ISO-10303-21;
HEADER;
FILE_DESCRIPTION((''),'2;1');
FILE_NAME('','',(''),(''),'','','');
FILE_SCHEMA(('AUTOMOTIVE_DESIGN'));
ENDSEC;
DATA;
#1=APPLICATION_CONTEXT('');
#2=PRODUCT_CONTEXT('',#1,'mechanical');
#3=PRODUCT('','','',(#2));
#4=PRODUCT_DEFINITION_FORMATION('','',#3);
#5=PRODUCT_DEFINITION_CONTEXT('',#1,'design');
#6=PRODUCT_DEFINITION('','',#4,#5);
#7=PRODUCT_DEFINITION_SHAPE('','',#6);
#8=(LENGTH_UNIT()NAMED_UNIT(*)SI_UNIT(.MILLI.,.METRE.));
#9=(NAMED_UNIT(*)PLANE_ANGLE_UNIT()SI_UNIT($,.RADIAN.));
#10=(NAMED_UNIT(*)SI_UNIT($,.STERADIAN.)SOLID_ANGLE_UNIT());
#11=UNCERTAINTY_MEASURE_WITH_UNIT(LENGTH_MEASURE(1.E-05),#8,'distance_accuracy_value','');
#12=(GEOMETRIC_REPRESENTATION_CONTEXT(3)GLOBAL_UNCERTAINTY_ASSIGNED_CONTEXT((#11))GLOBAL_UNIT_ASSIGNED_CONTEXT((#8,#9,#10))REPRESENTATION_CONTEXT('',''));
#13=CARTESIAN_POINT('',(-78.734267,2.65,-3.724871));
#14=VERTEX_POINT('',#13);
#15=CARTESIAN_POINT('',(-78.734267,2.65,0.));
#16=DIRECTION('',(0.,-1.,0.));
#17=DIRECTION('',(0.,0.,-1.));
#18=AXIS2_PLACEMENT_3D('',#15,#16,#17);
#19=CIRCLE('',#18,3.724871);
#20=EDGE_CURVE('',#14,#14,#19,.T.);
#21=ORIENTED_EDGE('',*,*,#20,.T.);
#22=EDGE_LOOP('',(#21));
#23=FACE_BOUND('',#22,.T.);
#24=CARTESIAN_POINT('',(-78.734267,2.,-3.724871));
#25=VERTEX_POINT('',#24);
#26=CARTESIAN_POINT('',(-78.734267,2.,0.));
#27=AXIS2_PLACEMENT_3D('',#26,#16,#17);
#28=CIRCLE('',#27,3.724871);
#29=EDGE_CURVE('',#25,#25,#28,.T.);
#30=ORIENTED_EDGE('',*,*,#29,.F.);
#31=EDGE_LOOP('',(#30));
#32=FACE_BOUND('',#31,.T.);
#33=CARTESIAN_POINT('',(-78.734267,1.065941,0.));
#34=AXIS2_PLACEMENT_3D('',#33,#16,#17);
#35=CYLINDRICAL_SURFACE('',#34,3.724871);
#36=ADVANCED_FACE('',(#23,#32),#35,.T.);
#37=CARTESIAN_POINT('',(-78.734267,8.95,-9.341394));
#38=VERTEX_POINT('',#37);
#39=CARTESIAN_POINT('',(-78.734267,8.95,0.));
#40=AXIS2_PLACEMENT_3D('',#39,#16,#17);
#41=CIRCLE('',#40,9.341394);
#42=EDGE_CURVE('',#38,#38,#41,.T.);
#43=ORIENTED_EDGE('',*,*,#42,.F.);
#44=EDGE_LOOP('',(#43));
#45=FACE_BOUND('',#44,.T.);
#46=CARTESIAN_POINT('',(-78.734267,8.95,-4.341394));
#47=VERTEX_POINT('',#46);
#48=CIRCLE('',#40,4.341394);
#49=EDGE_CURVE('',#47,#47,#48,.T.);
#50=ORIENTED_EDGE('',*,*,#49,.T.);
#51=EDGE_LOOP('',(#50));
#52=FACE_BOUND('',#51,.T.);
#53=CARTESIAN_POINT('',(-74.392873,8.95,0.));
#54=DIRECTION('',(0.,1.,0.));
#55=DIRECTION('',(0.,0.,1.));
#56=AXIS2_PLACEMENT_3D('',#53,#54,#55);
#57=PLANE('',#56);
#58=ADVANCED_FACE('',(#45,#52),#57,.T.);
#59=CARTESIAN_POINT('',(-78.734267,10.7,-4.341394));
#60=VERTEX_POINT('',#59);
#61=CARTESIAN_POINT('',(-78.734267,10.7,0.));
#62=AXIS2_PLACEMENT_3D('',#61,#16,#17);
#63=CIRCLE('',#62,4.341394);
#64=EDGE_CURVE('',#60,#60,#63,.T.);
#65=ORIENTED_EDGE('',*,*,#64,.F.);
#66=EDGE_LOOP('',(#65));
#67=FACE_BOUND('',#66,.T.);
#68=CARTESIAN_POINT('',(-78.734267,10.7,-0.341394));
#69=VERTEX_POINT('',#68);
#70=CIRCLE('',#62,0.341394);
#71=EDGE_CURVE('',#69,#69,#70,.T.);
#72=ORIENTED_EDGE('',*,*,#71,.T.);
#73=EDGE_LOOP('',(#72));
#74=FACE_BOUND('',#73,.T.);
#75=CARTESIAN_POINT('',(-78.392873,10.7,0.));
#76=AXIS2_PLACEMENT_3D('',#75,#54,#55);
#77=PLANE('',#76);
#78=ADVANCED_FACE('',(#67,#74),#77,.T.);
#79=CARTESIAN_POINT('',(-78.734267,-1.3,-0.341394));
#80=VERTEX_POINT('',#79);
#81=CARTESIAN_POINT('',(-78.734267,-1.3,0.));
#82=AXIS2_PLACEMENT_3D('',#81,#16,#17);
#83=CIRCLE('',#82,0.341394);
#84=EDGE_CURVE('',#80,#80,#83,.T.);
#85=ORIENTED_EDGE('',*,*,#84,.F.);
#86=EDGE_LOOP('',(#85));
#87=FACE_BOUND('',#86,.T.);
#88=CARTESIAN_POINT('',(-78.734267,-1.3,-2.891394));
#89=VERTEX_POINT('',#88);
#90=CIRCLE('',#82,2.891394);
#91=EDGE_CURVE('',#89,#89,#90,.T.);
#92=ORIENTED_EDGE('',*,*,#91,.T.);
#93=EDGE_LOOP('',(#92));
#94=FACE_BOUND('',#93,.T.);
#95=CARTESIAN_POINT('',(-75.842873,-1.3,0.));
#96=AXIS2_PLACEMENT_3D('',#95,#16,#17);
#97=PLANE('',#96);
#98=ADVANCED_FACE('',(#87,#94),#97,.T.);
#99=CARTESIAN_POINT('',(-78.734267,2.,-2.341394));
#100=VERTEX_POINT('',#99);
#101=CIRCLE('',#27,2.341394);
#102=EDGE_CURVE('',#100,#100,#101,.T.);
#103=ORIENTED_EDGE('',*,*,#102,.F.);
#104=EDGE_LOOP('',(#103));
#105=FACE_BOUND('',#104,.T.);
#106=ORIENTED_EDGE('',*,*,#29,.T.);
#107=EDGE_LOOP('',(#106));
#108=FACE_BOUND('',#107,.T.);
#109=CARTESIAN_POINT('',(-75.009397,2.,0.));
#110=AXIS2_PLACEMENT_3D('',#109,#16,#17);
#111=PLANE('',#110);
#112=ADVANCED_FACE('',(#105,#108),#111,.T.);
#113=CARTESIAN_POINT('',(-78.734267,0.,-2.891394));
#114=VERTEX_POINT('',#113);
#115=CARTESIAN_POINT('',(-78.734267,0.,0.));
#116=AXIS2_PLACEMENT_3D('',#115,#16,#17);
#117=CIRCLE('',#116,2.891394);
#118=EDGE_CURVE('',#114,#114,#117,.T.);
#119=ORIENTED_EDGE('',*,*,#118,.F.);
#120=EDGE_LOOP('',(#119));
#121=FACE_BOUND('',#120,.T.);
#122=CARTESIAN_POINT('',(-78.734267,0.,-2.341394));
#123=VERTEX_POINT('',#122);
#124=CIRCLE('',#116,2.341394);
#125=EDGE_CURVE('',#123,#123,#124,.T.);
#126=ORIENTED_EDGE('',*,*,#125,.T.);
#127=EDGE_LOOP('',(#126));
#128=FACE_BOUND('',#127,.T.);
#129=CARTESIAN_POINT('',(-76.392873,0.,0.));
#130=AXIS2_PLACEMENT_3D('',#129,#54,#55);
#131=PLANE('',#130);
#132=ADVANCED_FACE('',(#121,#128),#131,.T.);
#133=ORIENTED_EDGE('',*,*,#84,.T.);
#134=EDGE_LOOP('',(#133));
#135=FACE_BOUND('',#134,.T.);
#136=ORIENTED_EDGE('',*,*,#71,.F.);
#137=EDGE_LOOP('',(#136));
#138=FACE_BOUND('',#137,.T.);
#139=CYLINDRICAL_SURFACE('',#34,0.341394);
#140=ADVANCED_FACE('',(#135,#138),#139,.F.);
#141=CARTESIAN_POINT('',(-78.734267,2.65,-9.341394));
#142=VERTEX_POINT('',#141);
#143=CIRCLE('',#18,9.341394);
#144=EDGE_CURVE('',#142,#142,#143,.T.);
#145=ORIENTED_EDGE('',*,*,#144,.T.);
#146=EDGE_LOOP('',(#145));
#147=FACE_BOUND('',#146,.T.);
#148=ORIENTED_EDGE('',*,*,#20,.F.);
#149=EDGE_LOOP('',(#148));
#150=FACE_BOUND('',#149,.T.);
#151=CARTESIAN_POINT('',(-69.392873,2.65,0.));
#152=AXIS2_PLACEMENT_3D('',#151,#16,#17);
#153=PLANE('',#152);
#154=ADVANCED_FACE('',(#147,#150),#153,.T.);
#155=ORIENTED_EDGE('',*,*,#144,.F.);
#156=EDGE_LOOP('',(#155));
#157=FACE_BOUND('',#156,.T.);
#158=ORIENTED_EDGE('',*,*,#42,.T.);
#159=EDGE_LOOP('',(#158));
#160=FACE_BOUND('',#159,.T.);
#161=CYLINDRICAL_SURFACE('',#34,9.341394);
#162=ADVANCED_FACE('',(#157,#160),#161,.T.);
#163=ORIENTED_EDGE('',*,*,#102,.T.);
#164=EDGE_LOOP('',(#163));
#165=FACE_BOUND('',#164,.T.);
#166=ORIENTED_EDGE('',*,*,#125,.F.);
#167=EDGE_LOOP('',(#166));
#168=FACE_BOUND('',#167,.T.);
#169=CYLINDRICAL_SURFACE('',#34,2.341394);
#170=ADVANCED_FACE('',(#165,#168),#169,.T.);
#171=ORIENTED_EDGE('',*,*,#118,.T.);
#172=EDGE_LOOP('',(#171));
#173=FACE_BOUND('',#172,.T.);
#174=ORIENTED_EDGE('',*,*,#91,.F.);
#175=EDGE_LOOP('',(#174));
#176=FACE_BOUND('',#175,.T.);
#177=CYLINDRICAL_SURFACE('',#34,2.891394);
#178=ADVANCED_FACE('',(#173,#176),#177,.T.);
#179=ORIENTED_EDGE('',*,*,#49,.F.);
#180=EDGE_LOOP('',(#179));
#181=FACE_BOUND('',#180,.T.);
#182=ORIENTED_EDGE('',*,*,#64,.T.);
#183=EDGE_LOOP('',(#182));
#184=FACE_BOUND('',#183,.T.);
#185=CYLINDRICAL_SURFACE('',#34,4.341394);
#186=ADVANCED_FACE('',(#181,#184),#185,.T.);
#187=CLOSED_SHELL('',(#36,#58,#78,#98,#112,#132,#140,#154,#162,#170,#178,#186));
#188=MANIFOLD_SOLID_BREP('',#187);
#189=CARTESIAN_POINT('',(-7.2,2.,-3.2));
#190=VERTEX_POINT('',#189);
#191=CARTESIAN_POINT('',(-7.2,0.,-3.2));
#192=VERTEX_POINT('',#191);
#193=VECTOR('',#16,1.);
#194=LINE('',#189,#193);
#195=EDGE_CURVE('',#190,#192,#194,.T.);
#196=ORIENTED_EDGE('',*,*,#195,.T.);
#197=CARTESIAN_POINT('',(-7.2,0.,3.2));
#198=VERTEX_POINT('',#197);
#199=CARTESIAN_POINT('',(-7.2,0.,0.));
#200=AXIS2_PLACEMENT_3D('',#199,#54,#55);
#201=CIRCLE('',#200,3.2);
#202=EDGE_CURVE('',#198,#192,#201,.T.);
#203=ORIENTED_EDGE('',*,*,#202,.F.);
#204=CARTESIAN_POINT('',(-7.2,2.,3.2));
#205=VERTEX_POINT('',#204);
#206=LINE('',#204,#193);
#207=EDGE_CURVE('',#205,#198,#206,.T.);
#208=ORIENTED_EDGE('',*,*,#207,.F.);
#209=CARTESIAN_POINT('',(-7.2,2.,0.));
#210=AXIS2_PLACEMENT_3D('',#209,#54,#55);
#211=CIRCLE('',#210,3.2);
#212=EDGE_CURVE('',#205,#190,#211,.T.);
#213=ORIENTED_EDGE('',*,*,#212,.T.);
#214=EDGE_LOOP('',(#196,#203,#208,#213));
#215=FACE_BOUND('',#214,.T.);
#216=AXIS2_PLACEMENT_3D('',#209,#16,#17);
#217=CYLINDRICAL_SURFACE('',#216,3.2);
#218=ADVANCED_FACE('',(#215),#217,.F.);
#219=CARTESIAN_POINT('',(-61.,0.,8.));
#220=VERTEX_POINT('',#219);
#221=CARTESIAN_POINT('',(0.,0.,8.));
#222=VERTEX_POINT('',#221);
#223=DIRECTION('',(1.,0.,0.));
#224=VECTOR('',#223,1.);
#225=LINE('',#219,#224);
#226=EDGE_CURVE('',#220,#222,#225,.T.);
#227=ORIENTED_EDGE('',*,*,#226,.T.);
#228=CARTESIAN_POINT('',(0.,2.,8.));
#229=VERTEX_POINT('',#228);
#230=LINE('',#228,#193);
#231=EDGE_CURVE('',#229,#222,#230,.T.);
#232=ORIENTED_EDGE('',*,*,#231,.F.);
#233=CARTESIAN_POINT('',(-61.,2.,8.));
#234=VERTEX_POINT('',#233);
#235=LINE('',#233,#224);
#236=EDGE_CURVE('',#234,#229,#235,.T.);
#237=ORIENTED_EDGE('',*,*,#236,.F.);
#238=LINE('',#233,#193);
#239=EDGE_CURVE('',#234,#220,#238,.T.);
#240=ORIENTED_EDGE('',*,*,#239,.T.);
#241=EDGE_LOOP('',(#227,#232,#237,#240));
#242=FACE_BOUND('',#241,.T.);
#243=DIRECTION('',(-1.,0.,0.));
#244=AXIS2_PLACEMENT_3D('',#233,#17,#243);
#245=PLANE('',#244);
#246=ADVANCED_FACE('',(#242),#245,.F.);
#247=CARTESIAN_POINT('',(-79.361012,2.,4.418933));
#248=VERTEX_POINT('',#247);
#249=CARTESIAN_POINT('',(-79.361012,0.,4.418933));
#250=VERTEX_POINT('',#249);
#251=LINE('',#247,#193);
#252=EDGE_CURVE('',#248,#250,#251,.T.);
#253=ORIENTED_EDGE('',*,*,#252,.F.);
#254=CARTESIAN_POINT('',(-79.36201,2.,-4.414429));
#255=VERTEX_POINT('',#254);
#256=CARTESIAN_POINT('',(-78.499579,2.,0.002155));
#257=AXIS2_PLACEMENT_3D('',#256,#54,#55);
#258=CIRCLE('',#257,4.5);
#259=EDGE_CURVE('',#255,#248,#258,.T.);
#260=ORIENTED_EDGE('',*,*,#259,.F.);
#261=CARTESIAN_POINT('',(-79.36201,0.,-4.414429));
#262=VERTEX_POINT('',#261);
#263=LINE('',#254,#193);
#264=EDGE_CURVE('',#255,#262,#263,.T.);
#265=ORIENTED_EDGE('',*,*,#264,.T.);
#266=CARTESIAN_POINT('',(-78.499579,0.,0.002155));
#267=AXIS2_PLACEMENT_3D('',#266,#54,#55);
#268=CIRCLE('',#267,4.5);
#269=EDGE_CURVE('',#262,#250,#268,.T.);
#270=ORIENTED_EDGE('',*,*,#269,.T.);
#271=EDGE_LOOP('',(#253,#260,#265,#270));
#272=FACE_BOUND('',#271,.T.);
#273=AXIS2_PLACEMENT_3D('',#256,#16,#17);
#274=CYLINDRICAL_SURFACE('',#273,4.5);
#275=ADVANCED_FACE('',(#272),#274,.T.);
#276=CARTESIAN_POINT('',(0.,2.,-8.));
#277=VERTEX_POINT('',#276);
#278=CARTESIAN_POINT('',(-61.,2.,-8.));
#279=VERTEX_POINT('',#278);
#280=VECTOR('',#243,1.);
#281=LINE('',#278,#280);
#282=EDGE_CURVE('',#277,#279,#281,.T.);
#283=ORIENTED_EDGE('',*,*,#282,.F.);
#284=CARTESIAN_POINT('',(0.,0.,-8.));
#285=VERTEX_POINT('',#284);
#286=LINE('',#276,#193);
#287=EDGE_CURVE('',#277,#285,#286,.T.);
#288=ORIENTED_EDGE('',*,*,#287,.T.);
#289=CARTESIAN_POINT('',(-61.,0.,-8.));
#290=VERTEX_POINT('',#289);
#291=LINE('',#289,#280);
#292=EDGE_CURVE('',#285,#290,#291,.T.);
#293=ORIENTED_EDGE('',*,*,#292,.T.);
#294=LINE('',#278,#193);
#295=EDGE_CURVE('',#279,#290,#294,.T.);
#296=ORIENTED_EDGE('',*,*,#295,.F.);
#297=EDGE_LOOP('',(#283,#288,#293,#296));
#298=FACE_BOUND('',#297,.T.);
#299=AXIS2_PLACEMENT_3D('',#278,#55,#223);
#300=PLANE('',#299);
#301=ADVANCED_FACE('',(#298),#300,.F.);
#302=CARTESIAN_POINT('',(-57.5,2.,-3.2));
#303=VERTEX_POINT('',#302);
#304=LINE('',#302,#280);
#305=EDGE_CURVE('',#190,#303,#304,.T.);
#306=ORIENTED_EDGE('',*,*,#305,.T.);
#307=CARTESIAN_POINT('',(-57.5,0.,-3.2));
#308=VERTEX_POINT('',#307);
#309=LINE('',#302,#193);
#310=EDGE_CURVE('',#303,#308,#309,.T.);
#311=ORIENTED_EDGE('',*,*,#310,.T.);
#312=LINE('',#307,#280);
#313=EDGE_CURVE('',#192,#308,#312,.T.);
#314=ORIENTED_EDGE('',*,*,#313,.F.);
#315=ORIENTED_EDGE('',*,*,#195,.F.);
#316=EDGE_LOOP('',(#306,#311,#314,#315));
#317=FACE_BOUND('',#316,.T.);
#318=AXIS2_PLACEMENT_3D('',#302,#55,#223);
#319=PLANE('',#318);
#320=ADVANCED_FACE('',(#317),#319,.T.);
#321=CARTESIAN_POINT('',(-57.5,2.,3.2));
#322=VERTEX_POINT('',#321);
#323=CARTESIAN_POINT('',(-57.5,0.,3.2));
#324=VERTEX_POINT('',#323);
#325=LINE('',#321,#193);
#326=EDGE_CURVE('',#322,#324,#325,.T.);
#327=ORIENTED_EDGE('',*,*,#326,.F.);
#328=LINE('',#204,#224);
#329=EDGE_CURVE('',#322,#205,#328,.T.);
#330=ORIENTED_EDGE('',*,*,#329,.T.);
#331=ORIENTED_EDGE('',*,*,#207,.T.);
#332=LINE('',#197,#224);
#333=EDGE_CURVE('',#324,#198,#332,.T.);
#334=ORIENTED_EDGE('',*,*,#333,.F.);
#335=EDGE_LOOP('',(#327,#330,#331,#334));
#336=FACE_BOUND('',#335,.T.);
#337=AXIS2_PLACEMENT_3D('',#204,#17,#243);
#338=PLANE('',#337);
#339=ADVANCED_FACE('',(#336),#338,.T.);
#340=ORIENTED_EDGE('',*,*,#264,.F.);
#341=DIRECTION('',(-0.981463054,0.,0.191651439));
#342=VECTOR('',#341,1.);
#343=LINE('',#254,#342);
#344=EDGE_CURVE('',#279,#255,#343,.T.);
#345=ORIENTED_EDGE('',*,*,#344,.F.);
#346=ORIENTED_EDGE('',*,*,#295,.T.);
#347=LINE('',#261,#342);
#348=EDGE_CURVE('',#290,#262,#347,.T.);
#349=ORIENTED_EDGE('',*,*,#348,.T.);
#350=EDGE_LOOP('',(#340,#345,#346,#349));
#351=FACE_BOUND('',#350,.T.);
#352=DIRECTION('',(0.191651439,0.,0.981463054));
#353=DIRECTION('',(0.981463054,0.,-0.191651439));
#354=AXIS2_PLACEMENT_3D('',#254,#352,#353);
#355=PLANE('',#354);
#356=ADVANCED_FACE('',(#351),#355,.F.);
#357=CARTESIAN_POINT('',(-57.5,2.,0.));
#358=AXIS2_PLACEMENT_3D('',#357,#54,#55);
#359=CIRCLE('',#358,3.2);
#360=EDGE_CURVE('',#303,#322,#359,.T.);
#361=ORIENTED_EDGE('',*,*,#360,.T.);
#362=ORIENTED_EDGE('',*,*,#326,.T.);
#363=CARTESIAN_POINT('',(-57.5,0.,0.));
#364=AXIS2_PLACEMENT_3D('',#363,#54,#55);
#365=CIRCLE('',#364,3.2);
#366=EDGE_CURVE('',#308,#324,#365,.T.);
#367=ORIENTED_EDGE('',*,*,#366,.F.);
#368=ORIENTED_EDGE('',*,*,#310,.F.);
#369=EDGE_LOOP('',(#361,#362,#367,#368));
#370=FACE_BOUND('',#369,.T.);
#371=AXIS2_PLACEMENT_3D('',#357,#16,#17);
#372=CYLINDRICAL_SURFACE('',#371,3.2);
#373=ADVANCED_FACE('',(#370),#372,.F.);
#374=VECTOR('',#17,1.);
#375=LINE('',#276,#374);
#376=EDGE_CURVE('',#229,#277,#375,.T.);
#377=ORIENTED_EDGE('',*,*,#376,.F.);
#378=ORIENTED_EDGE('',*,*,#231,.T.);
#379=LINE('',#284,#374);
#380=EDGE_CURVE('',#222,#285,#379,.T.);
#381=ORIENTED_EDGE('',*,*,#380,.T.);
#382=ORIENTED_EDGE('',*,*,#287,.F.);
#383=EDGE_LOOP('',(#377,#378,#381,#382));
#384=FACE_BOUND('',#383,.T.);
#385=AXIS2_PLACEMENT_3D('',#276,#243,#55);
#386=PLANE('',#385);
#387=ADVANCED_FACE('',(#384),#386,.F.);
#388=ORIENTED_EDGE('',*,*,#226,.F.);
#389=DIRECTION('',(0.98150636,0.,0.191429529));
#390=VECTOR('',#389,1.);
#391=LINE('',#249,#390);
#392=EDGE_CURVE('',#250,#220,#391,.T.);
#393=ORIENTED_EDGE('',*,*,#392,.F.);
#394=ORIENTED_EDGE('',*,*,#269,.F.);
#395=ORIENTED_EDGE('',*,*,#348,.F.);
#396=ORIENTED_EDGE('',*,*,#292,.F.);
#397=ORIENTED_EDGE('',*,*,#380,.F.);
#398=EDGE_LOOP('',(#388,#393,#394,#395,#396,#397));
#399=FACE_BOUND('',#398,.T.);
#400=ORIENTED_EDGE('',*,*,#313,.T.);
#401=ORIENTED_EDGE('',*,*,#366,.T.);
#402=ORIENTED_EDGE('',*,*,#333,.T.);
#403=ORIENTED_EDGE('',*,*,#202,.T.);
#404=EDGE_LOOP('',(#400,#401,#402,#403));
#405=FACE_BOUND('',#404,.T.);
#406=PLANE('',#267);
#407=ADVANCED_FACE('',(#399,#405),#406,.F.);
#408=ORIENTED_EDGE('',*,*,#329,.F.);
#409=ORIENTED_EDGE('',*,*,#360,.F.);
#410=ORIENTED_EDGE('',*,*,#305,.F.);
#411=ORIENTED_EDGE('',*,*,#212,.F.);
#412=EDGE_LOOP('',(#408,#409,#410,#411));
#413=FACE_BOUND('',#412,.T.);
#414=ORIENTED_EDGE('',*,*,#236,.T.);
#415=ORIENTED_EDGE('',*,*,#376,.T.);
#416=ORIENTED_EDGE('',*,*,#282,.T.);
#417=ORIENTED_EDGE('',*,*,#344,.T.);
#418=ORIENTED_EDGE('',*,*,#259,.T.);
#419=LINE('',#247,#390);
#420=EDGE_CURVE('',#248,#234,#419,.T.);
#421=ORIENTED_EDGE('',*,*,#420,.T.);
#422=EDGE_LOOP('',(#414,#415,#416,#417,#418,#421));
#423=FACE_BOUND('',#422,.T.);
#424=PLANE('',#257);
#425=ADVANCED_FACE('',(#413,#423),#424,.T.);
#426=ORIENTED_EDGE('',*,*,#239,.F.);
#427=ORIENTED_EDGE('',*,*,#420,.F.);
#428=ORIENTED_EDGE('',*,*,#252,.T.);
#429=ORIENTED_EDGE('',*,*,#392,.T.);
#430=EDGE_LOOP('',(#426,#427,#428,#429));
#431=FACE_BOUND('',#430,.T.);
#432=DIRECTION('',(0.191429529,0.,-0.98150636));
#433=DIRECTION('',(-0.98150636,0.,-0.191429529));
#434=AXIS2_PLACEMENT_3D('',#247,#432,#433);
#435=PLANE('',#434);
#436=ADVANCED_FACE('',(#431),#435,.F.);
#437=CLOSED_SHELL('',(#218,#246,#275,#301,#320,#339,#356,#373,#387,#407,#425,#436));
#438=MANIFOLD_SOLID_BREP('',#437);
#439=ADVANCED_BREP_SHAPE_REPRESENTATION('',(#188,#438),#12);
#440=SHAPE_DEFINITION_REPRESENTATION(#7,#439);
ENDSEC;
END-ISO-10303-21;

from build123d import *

# Parameters (mm, degrees)
EXTRUDE1_DEPTH = 2


with BuildPart() as part:
    # Sketch1 → Extrude1 (new body)
    with BuildSketch(Plane(origin=(0, 0, 0), x_dir=(1, 0, 0), z_dir=(0, 1, 0))):
        with BuildLine():
            Line((-61, 8), (0, 8))
            Line((0, 8), (0, -8))
            Line((0, -8), (-61, -8))
            Line((-61, -8), (-79.361011839, -4.418933189))
            ThreePointArc((-79.361011839, -4.418933189), (-82.999578751, -0.002663498), (-79.362010432, 4.414428743))
            Line((-79.362010432, 4.414428743), (-61, 8))
        make_face()
        with BuildLine():
            Line((-57.5, 3.2), (-7.2, 3.2))
            ThreePointArc((-7.2, 3.2), (-4, 0), (-7.2, -3.2))
            Line((-7.2, -3.2), (-57.5, -3.2))
            ThreePointArc((-57.5, -3.2), (-60.7, 0), (-57.5, 3.2))
        make_face(mode=Mode.SUBTRACT)
    extrude(amount=EXTRUDE1_DEPTH)


with BuildPart() as body_2:
    # Sketch2 → Revolve1 (revolve)
    with BuildSketch(Plane.XY, mode=Mode.PRIVATE) as revolve1_sk:
        Polygon((-76.392872799, 0), (-75.842872799, 0), (-75.842872799, -1.3), (-78.392872799, -1.3), (-78.392872799, 10.7), (-74.392872799, 10.7), (-74.392872799, 8.95), (-69.392872799, 8.95), (-69.392872799, 2.65), (-75.009396698, 2.65), (-75.009396698, 2), (-76.392872799, 2), align=None)
    revolve(revolve1_sk.sketch.rotate(Axis((-78.734267231, 1.065940946, 0), (0, 1, 0)), 90), axis=Axis((-78.734267231, 1.065940946, 0), (0, 1, 0)))


solid = Compound([part.part, body_2.part])
